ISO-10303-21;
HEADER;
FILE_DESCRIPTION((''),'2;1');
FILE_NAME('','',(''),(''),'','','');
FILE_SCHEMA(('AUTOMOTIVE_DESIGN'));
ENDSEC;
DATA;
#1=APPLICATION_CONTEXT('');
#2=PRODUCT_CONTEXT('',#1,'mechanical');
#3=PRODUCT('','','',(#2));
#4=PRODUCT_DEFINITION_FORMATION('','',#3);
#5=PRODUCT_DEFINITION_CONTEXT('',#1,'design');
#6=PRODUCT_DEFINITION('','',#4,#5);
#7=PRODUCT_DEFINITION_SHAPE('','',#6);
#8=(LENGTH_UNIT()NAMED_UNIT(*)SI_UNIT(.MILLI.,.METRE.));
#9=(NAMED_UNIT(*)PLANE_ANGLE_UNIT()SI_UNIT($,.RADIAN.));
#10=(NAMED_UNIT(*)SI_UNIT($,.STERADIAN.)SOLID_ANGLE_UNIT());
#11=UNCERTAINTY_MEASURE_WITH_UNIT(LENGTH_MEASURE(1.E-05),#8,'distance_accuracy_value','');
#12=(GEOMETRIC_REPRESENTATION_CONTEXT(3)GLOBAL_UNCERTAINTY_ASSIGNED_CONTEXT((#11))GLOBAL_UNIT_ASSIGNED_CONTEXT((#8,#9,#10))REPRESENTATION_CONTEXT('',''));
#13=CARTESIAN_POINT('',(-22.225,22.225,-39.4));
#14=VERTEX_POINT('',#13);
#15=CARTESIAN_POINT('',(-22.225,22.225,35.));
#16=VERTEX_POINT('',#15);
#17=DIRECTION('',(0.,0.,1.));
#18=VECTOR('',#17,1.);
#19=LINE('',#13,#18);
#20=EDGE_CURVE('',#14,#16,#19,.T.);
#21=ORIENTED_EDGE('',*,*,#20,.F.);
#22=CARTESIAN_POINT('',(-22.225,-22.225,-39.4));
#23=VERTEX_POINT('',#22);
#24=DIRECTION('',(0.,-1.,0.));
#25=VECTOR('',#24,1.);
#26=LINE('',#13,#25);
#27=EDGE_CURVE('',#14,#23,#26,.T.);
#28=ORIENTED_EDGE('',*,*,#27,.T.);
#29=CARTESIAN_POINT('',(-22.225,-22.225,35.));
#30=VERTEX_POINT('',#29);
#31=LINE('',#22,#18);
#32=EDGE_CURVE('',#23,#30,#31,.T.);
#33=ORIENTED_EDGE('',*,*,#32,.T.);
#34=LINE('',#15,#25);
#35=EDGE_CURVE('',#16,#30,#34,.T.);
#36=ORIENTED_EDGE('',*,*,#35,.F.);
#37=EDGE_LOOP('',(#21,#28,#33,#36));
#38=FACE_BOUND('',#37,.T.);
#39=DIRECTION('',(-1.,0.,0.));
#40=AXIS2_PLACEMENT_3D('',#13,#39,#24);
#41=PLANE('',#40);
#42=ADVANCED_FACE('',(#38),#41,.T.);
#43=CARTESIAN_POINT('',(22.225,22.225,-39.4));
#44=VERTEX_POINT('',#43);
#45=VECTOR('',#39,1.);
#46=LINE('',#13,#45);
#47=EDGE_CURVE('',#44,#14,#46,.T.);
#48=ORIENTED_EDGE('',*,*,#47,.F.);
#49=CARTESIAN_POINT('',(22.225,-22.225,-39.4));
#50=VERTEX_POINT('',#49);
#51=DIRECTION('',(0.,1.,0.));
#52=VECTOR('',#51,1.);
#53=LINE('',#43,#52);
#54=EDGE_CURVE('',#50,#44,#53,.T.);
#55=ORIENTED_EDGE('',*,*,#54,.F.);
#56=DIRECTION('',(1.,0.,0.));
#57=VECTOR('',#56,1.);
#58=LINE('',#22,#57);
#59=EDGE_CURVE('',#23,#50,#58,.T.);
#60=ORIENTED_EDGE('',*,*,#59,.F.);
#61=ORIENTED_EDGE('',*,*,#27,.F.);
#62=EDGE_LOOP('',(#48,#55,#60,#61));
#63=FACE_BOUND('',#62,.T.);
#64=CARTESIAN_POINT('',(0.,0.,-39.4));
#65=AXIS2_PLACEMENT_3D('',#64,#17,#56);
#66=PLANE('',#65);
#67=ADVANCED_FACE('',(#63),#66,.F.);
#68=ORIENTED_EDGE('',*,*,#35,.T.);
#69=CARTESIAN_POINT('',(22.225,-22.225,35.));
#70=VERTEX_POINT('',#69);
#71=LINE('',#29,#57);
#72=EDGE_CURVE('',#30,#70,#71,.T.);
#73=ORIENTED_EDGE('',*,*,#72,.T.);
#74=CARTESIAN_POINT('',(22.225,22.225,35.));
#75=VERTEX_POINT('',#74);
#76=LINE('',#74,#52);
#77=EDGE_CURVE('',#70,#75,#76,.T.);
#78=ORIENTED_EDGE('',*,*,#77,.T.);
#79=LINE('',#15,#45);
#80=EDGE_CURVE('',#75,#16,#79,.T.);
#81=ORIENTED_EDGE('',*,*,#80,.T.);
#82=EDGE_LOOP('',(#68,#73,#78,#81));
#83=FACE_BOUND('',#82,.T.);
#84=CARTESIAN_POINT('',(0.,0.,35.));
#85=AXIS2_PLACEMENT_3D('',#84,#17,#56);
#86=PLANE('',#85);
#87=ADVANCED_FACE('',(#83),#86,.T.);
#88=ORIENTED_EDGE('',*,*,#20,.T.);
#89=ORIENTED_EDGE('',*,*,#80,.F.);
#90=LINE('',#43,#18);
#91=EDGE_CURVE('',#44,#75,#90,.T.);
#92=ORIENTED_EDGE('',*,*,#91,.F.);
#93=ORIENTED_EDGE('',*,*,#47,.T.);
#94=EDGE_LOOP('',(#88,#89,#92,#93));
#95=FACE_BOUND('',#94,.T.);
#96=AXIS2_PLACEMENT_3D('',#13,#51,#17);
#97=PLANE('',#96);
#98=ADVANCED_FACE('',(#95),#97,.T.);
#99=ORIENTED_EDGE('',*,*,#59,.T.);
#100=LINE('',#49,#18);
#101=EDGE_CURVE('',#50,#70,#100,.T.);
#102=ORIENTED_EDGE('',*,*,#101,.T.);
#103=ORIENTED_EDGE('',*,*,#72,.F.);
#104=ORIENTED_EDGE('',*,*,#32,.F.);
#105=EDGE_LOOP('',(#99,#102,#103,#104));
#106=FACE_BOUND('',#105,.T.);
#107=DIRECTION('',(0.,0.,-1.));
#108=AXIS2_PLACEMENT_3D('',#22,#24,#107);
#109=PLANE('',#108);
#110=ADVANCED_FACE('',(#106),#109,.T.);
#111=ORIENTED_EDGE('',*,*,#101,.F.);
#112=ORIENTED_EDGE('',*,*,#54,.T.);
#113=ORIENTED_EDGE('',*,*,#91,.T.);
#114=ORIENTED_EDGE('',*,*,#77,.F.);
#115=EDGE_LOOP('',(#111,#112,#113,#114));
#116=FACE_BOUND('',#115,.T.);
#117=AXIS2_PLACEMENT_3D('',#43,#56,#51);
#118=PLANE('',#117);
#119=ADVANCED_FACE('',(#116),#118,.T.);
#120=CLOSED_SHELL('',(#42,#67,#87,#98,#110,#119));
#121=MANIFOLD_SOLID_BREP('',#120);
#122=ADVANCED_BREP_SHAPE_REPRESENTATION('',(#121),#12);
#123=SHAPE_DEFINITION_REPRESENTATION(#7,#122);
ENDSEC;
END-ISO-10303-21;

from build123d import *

# Parameters (mm, degrees)
SKETCH1_W                = 44.45
SKETCH1_H                = 44.45
BOSS_EXTRUDE1_DEPTH      = 35
BOSS_EXTRUDE1_DEPTH_BACK = 39.4


with BuildPart() as part:
    # Sketch1 → Boss-Extrude1 (new body, two sides)
    with BuildSketch(Plane.XY) as boss_extrude1_sk:
        Rectangle(SKETCH1_W, SKETCH1_H)
    extrude(amount=BOSS_EXTRUDE1_DEPTH)
    extrude(boss_extrude1_sk.sketch, amount=-BOSS_EXTRUDE1_DEPTH_BACK)


solid = part.part
